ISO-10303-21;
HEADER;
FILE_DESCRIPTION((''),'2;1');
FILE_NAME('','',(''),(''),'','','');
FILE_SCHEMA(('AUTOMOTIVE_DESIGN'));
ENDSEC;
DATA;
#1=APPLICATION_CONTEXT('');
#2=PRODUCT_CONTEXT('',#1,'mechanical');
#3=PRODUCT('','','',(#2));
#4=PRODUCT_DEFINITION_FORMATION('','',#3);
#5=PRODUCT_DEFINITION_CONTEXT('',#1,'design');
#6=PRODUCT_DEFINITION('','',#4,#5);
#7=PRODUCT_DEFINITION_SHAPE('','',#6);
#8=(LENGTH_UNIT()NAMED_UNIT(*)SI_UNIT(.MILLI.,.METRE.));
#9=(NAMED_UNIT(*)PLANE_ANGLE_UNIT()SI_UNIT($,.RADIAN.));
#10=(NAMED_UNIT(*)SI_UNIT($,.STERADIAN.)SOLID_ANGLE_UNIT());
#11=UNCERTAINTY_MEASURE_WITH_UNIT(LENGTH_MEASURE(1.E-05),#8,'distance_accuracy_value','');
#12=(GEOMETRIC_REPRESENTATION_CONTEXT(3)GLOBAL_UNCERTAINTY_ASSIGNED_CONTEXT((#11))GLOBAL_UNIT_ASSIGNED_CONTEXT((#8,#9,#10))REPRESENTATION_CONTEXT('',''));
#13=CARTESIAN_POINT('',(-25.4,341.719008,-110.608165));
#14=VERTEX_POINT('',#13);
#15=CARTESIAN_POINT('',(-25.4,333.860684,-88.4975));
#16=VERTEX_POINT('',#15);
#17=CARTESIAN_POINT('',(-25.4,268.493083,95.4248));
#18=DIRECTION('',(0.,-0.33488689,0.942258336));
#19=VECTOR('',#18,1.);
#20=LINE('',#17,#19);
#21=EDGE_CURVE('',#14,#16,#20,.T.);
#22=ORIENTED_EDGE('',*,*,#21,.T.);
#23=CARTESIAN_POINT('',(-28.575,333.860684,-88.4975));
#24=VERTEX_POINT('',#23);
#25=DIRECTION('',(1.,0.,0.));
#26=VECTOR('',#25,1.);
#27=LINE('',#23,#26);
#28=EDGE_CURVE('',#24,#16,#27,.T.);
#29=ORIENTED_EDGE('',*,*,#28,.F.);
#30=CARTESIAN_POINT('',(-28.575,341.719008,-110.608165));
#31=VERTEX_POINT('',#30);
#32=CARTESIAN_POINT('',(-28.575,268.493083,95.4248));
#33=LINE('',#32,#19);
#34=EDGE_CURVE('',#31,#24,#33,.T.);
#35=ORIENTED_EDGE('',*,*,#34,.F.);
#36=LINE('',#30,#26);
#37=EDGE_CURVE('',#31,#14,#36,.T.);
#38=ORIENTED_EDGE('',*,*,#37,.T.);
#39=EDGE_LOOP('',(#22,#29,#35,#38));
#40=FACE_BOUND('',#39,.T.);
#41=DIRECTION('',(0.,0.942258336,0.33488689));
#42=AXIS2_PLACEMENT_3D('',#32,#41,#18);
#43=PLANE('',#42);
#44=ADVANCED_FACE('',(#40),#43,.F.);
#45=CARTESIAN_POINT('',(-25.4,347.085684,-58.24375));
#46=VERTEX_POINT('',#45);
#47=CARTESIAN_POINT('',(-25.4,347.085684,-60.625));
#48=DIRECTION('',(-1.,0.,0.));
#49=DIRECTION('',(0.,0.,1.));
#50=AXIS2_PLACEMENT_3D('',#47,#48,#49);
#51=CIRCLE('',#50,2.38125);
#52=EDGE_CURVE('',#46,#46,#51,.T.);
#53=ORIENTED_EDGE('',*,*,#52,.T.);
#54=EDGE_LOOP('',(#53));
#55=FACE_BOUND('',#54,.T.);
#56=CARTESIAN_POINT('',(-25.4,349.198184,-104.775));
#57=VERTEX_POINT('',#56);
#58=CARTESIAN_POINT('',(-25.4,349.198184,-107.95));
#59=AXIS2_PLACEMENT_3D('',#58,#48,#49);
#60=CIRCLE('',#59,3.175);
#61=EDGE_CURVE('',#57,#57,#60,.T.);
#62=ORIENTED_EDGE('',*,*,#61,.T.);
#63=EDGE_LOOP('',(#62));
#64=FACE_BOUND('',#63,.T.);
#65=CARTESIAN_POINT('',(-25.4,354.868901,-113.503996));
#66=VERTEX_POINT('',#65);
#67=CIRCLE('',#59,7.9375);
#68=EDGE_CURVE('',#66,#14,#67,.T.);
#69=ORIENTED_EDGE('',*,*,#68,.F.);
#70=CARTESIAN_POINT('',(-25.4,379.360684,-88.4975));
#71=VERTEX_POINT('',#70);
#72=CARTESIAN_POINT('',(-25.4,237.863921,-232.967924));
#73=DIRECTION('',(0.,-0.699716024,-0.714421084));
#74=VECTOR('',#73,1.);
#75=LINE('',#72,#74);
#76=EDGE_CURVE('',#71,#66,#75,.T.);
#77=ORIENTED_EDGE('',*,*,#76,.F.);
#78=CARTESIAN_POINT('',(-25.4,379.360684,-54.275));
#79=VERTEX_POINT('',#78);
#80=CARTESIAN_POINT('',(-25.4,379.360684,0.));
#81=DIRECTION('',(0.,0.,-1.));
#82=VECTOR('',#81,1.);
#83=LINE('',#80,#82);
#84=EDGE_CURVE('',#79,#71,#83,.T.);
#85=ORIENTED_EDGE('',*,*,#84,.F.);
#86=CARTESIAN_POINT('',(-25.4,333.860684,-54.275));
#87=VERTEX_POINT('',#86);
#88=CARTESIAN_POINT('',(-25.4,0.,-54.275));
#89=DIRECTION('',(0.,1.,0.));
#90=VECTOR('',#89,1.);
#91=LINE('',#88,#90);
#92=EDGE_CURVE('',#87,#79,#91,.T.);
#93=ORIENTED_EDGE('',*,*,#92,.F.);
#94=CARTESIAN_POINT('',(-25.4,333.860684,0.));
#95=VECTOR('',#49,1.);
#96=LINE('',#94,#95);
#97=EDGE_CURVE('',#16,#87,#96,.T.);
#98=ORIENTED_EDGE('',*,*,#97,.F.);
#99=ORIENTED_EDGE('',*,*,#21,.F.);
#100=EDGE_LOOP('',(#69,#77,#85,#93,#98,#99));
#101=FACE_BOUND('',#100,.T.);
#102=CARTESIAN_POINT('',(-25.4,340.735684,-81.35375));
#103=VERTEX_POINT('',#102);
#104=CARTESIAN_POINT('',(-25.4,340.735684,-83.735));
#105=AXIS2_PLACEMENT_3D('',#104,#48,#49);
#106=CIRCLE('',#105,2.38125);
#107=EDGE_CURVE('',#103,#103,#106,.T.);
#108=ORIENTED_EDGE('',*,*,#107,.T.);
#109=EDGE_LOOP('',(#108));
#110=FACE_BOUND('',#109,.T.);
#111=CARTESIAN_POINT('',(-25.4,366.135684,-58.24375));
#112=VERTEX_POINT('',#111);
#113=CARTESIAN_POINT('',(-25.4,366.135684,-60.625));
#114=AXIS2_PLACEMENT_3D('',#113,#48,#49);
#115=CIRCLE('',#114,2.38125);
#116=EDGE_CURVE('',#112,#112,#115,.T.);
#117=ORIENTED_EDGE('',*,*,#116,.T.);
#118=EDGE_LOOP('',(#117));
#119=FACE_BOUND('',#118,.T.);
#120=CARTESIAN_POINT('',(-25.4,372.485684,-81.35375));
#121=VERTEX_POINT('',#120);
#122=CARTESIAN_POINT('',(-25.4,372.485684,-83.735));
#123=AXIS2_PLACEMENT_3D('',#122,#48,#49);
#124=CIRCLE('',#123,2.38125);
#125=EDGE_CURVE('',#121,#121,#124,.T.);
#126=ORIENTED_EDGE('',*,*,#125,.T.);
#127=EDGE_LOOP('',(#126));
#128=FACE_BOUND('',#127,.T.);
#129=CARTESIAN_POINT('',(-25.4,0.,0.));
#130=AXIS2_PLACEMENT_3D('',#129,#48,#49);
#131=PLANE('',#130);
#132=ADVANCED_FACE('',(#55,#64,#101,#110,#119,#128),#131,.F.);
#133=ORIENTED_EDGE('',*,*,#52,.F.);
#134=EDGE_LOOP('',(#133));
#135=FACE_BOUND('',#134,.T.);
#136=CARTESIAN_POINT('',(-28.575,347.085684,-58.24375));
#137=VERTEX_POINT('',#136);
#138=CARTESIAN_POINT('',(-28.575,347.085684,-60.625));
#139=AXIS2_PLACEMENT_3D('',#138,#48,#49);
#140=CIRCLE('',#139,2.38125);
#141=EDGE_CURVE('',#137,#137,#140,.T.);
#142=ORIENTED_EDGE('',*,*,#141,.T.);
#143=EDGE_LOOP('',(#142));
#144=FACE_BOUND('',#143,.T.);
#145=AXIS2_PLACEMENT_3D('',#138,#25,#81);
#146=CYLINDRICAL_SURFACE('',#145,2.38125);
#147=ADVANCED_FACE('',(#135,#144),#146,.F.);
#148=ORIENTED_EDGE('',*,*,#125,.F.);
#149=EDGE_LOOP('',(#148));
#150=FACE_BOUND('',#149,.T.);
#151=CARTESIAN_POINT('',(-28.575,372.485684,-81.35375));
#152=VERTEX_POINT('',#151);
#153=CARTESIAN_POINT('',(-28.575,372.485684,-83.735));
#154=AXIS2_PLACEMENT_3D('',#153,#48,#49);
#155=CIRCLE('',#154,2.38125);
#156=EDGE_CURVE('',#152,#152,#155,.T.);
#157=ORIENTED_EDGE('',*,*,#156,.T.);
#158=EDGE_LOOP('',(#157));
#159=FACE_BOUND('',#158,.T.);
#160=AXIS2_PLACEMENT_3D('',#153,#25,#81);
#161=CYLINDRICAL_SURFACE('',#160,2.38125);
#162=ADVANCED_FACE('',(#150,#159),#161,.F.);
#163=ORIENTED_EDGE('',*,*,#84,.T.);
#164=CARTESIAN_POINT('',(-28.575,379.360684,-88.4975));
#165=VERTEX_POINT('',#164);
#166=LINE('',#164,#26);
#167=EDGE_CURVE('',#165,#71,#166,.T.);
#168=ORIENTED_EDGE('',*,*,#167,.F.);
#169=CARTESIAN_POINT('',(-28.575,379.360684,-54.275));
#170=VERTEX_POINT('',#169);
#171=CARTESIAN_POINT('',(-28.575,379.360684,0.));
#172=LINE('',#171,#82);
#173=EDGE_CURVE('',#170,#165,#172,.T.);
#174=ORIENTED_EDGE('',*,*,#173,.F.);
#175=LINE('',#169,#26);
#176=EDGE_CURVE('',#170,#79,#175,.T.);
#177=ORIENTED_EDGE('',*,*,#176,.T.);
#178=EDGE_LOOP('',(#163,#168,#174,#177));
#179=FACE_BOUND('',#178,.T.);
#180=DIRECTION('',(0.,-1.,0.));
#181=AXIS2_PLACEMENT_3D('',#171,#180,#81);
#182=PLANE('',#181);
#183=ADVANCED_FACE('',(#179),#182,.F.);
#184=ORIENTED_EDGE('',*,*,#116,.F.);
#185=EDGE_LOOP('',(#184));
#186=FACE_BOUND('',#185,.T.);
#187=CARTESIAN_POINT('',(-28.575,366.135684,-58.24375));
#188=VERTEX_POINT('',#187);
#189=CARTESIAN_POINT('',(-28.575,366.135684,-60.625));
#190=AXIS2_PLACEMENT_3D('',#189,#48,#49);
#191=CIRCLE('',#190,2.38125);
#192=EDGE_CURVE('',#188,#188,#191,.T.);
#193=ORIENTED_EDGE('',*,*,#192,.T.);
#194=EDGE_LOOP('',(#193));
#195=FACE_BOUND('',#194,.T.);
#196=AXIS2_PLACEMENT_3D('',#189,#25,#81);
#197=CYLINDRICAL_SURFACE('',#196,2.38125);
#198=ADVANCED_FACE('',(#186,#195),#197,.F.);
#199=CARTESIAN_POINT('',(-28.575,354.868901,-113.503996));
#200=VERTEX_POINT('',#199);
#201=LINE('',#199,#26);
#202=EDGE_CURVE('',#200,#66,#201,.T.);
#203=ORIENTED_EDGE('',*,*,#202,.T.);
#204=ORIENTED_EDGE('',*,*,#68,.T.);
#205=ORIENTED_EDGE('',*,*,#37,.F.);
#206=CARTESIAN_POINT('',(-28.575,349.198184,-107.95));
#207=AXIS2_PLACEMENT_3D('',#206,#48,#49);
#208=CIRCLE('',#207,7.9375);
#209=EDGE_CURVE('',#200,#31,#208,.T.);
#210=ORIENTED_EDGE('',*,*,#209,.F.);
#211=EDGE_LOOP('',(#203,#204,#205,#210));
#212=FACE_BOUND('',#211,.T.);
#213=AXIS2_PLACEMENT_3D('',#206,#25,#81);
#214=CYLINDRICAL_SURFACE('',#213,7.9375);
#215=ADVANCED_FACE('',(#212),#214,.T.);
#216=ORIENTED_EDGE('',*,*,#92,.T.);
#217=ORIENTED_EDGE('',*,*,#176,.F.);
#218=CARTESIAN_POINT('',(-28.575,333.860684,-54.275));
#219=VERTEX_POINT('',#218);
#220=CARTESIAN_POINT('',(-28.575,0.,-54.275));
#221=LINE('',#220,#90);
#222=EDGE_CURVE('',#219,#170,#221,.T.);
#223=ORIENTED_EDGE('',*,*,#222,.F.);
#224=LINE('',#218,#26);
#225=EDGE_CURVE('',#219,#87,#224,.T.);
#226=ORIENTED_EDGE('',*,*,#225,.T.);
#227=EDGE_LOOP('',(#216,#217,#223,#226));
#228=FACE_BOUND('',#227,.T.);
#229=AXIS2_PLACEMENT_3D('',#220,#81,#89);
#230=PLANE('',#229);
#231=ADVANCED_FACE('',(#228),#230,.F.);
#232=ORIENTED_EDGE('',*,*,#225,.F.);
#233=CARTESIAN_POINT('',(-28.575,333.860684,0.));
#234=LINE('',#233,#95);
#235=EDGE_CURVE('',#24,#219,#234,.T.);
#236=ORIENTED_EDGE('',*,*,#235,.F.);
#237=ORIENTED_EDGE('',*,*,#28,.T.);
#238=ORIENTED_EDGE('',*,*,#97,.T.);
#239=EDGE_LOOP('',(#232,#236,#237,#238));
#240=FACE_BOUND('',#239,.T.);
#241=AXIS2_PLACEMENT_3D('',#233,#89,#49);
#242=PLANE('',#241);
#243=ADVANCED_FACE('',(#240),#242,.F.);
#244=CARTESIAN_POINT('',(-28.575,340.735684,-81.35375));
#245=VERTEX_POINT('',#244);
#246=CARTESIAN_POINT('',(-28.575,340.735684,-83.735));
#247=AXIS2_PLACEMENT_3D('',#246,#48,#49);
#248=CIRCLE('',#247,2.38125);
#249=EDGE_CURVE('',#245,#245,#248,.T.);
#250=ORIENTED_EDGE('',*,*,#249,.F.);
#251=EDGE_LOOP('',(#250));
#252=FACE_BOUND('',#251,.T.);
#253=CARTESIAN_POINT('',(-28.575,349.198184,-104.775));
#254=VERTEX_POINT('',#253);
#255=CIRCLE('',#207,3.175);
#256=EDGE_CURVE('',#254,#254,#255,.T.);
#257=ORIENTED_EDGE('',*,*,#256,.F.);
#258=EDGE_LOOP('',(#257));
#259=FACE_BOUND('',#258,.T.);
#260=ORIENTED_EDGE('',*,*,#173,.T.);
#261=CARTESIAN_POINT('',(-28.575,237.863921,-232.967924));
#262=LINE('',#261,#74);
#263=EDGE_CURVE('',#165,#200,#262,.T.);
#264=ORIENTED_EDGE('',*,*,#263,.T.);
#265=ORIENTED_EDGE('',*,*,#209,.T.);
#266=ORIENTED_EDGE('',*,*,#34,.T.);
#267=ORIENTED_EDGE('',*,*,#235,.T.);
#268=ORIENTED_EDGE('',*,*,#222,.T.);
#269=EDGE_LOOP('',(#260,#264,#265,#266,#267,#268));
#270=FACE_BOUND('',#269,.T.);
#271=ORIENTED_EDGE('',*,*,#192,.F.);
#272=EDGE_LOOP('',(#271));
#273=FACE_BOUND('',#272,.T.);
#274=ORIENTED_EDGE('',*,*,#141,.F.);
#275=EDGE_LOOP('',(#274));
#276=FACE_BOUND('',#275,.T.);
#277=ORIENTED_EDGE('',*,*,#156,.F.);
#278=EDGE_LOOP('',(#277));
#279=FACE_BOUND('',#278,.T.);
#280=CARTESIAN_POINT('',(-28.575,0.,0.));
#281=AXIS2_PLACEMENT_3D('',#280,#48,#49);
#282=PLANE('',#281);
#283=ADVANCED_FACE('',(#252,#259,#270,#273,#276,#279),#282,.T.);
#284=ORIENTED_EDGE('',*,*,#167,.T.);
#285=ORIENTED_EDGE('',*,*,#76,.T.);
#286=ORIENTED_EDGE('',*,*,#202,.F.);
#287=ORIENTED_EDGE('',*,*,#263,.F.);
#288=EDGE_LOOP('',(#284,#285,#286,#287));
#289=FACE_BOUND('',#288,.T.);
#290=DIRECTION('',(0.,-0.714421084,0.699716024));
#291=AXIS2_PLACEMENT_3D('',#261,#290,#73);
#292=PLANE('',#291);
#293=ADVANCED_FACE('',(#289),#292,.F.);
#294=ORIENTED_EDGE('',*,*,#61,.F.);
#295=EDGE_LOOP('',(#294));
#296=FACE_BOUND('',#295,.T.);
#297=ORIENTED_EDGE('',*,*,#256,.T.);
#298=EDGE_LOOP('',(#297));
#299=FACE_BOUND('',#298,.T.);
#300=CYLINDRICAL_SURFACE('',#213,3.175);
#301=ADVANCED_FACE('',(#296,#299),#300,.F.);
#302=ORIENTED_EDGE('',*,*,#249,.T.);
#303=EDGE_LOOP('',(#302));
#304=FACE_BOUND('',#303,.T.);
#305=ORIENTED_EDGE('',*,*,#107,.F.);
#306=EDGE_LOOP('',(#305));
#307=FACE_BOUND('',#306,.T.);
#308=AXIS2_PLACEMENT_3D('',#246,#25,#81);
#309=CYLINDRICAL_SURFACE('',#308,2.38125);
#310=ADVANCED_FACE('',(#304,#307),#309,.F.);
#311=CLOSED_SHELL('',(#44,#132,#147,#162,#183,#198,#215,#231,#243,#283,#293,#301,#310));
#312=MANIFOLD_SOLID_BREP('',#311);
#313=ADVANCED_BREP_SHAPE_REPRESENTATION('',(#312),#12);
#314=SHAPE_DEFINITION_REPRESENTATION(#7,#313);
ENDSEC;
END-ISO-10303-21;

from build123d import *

# Parameters (mm, degrees)
SKETCH1_R           = 3.175
SKETCH1_R_2         = 3.2639
SKETCH1_R_3         = 3.96875
SKETCH1_R_4         = 2.38125
BOSS_EXTRUDE1_DEPTH = 3.175


with BuildPart() as part:
    # Sketch1 → Boss-Extrude1 (new body)
    # profile 1 of 7: a face of its own
    with BuildSketch(Plane.ZY.offset(25.4)):
        with BuildLine():
            Line((-88.4975, 379.360683619), (-113.503995941, 354.868900976))
            ThreePointArc((-113.503995941, 354.868900976), (-115.701762144, 347.491113055), (-110.608164688, 341.71900808))
            Line((-110.608164688, 341.71900808), (-88.4975, 333.860683619))
            Line((-88.4975, 333.860683619), (-102.195874596, 351.845168269))
            ThreePointArc((-102.195874596, 351.845168269), (-103.980307482, 357.263971701), (-102.037425504, 362.628003857))
            Line((-102.037425504, 362.628003857), (-88.4975, 379.360683619))
        make_face()
        with Locations((-107.95, 349.198183619)):
            Circle(SKETCH1_R, mode=Mode.SUBTRACT)
    # profile 2 of 7: a face of its own
    with BuildSketch(Plane.ZY.offset(25.4)):
        with BuildLine():
            Line((-54.275, 333.860683619), (-54.275, 379.360683619))
            Line((-54.275, 379.360683619), (-88.4975, 379.360683619))
            Line((-88.4975, 379.360683619), (-102.037425504, 362.628003857))
            ThreePointArc((-102.037425504, 362.628003857), (-103.980307482, 357.263971701), (-102.195874596, 351.845168269))
            Line((-102.195874596, 351.845168269), (-88.4975, 333.860683619))
            Line((-88.4975, 333.860683619), (-54.275, 333.860683619))
        make_face()
        with Locations((-83.735, 340.735683619)):
            Circle(SKETCH1_R_2, mode=Mode.SUBTRACT)
        with Locations((-95.25, 357.135683619)):
            Circle(SKETCH1_R_3, mode=Mode.SUBTRACT)
        with Locations((-60.625, 366.135683619)):
            Circle(SKETCH1_R_2, mode=Mode.SUBTRACT)
        with Locations((-83.735, 372.485683619)):
            Circle(SKETCH1_R_2, mode=Mode.SUBTRACT)
        with Locations((-60.625, 347.085683619)):
            Circle(SKETCH1_R_2, mode=Mode.SUBTRACT)
    # profile 3 of 7: a face of its own
    with BuildSketch(Plane.ZY.offset(25.4)):
        with Locations((-95.25, 357.135683619)):
            Circle(SKETCH1_R_3)
    # profile 4 of 7: a face of its own
    with BuildSketch(Plane.ZY.offset(25.4)):
        with Locations((-60.625, 366.135683619)):
            Circle(SKETCH1_R_2)
        with Locations((-60.625, 366.135683619)):
            Circle(SKETCH1_R_4, mode=Mode.SUBTRACT)
    # profile 5 of 7: a face of its own
    with BuildSketch(Plane.ZY.offset(25.4)):
        with Locations((-83.735, 372.485683619)):
            Circle(SKETCH1_R_2)
        with Locations((-83.735, 372.485683619)):
            Circle(SKETCH1_R_4, mode=Mode.SUBTRACT)
    # profile 6 of 7: a face of its own
    with BuildSketch(Plane.ZY.offset(25.4)):
        with Locations((-60.625, 347.085683619)):
            Circle(SKETCH1_R_2)
        with Locations((-60.625, 347.085683619)):
            Circle(SKETCH1_R_4, mode=Mode.SUBTRACT)
    # profile 7 of 7: a face of its own
    with BuildSketch(Plane.ZY.offset(25.4)):
        with Locations((-83.735, 340.735683619)):
            Circle(SKETCH1_R_2)
        with Locations((-83.735, 340.735683619)):
            Circle(SKETCH1_R_4, mode=Mode.SUBTRACT)
    extrude(amount=BOSS_EXTRUDE1_DEPTH)


solid = part.part
